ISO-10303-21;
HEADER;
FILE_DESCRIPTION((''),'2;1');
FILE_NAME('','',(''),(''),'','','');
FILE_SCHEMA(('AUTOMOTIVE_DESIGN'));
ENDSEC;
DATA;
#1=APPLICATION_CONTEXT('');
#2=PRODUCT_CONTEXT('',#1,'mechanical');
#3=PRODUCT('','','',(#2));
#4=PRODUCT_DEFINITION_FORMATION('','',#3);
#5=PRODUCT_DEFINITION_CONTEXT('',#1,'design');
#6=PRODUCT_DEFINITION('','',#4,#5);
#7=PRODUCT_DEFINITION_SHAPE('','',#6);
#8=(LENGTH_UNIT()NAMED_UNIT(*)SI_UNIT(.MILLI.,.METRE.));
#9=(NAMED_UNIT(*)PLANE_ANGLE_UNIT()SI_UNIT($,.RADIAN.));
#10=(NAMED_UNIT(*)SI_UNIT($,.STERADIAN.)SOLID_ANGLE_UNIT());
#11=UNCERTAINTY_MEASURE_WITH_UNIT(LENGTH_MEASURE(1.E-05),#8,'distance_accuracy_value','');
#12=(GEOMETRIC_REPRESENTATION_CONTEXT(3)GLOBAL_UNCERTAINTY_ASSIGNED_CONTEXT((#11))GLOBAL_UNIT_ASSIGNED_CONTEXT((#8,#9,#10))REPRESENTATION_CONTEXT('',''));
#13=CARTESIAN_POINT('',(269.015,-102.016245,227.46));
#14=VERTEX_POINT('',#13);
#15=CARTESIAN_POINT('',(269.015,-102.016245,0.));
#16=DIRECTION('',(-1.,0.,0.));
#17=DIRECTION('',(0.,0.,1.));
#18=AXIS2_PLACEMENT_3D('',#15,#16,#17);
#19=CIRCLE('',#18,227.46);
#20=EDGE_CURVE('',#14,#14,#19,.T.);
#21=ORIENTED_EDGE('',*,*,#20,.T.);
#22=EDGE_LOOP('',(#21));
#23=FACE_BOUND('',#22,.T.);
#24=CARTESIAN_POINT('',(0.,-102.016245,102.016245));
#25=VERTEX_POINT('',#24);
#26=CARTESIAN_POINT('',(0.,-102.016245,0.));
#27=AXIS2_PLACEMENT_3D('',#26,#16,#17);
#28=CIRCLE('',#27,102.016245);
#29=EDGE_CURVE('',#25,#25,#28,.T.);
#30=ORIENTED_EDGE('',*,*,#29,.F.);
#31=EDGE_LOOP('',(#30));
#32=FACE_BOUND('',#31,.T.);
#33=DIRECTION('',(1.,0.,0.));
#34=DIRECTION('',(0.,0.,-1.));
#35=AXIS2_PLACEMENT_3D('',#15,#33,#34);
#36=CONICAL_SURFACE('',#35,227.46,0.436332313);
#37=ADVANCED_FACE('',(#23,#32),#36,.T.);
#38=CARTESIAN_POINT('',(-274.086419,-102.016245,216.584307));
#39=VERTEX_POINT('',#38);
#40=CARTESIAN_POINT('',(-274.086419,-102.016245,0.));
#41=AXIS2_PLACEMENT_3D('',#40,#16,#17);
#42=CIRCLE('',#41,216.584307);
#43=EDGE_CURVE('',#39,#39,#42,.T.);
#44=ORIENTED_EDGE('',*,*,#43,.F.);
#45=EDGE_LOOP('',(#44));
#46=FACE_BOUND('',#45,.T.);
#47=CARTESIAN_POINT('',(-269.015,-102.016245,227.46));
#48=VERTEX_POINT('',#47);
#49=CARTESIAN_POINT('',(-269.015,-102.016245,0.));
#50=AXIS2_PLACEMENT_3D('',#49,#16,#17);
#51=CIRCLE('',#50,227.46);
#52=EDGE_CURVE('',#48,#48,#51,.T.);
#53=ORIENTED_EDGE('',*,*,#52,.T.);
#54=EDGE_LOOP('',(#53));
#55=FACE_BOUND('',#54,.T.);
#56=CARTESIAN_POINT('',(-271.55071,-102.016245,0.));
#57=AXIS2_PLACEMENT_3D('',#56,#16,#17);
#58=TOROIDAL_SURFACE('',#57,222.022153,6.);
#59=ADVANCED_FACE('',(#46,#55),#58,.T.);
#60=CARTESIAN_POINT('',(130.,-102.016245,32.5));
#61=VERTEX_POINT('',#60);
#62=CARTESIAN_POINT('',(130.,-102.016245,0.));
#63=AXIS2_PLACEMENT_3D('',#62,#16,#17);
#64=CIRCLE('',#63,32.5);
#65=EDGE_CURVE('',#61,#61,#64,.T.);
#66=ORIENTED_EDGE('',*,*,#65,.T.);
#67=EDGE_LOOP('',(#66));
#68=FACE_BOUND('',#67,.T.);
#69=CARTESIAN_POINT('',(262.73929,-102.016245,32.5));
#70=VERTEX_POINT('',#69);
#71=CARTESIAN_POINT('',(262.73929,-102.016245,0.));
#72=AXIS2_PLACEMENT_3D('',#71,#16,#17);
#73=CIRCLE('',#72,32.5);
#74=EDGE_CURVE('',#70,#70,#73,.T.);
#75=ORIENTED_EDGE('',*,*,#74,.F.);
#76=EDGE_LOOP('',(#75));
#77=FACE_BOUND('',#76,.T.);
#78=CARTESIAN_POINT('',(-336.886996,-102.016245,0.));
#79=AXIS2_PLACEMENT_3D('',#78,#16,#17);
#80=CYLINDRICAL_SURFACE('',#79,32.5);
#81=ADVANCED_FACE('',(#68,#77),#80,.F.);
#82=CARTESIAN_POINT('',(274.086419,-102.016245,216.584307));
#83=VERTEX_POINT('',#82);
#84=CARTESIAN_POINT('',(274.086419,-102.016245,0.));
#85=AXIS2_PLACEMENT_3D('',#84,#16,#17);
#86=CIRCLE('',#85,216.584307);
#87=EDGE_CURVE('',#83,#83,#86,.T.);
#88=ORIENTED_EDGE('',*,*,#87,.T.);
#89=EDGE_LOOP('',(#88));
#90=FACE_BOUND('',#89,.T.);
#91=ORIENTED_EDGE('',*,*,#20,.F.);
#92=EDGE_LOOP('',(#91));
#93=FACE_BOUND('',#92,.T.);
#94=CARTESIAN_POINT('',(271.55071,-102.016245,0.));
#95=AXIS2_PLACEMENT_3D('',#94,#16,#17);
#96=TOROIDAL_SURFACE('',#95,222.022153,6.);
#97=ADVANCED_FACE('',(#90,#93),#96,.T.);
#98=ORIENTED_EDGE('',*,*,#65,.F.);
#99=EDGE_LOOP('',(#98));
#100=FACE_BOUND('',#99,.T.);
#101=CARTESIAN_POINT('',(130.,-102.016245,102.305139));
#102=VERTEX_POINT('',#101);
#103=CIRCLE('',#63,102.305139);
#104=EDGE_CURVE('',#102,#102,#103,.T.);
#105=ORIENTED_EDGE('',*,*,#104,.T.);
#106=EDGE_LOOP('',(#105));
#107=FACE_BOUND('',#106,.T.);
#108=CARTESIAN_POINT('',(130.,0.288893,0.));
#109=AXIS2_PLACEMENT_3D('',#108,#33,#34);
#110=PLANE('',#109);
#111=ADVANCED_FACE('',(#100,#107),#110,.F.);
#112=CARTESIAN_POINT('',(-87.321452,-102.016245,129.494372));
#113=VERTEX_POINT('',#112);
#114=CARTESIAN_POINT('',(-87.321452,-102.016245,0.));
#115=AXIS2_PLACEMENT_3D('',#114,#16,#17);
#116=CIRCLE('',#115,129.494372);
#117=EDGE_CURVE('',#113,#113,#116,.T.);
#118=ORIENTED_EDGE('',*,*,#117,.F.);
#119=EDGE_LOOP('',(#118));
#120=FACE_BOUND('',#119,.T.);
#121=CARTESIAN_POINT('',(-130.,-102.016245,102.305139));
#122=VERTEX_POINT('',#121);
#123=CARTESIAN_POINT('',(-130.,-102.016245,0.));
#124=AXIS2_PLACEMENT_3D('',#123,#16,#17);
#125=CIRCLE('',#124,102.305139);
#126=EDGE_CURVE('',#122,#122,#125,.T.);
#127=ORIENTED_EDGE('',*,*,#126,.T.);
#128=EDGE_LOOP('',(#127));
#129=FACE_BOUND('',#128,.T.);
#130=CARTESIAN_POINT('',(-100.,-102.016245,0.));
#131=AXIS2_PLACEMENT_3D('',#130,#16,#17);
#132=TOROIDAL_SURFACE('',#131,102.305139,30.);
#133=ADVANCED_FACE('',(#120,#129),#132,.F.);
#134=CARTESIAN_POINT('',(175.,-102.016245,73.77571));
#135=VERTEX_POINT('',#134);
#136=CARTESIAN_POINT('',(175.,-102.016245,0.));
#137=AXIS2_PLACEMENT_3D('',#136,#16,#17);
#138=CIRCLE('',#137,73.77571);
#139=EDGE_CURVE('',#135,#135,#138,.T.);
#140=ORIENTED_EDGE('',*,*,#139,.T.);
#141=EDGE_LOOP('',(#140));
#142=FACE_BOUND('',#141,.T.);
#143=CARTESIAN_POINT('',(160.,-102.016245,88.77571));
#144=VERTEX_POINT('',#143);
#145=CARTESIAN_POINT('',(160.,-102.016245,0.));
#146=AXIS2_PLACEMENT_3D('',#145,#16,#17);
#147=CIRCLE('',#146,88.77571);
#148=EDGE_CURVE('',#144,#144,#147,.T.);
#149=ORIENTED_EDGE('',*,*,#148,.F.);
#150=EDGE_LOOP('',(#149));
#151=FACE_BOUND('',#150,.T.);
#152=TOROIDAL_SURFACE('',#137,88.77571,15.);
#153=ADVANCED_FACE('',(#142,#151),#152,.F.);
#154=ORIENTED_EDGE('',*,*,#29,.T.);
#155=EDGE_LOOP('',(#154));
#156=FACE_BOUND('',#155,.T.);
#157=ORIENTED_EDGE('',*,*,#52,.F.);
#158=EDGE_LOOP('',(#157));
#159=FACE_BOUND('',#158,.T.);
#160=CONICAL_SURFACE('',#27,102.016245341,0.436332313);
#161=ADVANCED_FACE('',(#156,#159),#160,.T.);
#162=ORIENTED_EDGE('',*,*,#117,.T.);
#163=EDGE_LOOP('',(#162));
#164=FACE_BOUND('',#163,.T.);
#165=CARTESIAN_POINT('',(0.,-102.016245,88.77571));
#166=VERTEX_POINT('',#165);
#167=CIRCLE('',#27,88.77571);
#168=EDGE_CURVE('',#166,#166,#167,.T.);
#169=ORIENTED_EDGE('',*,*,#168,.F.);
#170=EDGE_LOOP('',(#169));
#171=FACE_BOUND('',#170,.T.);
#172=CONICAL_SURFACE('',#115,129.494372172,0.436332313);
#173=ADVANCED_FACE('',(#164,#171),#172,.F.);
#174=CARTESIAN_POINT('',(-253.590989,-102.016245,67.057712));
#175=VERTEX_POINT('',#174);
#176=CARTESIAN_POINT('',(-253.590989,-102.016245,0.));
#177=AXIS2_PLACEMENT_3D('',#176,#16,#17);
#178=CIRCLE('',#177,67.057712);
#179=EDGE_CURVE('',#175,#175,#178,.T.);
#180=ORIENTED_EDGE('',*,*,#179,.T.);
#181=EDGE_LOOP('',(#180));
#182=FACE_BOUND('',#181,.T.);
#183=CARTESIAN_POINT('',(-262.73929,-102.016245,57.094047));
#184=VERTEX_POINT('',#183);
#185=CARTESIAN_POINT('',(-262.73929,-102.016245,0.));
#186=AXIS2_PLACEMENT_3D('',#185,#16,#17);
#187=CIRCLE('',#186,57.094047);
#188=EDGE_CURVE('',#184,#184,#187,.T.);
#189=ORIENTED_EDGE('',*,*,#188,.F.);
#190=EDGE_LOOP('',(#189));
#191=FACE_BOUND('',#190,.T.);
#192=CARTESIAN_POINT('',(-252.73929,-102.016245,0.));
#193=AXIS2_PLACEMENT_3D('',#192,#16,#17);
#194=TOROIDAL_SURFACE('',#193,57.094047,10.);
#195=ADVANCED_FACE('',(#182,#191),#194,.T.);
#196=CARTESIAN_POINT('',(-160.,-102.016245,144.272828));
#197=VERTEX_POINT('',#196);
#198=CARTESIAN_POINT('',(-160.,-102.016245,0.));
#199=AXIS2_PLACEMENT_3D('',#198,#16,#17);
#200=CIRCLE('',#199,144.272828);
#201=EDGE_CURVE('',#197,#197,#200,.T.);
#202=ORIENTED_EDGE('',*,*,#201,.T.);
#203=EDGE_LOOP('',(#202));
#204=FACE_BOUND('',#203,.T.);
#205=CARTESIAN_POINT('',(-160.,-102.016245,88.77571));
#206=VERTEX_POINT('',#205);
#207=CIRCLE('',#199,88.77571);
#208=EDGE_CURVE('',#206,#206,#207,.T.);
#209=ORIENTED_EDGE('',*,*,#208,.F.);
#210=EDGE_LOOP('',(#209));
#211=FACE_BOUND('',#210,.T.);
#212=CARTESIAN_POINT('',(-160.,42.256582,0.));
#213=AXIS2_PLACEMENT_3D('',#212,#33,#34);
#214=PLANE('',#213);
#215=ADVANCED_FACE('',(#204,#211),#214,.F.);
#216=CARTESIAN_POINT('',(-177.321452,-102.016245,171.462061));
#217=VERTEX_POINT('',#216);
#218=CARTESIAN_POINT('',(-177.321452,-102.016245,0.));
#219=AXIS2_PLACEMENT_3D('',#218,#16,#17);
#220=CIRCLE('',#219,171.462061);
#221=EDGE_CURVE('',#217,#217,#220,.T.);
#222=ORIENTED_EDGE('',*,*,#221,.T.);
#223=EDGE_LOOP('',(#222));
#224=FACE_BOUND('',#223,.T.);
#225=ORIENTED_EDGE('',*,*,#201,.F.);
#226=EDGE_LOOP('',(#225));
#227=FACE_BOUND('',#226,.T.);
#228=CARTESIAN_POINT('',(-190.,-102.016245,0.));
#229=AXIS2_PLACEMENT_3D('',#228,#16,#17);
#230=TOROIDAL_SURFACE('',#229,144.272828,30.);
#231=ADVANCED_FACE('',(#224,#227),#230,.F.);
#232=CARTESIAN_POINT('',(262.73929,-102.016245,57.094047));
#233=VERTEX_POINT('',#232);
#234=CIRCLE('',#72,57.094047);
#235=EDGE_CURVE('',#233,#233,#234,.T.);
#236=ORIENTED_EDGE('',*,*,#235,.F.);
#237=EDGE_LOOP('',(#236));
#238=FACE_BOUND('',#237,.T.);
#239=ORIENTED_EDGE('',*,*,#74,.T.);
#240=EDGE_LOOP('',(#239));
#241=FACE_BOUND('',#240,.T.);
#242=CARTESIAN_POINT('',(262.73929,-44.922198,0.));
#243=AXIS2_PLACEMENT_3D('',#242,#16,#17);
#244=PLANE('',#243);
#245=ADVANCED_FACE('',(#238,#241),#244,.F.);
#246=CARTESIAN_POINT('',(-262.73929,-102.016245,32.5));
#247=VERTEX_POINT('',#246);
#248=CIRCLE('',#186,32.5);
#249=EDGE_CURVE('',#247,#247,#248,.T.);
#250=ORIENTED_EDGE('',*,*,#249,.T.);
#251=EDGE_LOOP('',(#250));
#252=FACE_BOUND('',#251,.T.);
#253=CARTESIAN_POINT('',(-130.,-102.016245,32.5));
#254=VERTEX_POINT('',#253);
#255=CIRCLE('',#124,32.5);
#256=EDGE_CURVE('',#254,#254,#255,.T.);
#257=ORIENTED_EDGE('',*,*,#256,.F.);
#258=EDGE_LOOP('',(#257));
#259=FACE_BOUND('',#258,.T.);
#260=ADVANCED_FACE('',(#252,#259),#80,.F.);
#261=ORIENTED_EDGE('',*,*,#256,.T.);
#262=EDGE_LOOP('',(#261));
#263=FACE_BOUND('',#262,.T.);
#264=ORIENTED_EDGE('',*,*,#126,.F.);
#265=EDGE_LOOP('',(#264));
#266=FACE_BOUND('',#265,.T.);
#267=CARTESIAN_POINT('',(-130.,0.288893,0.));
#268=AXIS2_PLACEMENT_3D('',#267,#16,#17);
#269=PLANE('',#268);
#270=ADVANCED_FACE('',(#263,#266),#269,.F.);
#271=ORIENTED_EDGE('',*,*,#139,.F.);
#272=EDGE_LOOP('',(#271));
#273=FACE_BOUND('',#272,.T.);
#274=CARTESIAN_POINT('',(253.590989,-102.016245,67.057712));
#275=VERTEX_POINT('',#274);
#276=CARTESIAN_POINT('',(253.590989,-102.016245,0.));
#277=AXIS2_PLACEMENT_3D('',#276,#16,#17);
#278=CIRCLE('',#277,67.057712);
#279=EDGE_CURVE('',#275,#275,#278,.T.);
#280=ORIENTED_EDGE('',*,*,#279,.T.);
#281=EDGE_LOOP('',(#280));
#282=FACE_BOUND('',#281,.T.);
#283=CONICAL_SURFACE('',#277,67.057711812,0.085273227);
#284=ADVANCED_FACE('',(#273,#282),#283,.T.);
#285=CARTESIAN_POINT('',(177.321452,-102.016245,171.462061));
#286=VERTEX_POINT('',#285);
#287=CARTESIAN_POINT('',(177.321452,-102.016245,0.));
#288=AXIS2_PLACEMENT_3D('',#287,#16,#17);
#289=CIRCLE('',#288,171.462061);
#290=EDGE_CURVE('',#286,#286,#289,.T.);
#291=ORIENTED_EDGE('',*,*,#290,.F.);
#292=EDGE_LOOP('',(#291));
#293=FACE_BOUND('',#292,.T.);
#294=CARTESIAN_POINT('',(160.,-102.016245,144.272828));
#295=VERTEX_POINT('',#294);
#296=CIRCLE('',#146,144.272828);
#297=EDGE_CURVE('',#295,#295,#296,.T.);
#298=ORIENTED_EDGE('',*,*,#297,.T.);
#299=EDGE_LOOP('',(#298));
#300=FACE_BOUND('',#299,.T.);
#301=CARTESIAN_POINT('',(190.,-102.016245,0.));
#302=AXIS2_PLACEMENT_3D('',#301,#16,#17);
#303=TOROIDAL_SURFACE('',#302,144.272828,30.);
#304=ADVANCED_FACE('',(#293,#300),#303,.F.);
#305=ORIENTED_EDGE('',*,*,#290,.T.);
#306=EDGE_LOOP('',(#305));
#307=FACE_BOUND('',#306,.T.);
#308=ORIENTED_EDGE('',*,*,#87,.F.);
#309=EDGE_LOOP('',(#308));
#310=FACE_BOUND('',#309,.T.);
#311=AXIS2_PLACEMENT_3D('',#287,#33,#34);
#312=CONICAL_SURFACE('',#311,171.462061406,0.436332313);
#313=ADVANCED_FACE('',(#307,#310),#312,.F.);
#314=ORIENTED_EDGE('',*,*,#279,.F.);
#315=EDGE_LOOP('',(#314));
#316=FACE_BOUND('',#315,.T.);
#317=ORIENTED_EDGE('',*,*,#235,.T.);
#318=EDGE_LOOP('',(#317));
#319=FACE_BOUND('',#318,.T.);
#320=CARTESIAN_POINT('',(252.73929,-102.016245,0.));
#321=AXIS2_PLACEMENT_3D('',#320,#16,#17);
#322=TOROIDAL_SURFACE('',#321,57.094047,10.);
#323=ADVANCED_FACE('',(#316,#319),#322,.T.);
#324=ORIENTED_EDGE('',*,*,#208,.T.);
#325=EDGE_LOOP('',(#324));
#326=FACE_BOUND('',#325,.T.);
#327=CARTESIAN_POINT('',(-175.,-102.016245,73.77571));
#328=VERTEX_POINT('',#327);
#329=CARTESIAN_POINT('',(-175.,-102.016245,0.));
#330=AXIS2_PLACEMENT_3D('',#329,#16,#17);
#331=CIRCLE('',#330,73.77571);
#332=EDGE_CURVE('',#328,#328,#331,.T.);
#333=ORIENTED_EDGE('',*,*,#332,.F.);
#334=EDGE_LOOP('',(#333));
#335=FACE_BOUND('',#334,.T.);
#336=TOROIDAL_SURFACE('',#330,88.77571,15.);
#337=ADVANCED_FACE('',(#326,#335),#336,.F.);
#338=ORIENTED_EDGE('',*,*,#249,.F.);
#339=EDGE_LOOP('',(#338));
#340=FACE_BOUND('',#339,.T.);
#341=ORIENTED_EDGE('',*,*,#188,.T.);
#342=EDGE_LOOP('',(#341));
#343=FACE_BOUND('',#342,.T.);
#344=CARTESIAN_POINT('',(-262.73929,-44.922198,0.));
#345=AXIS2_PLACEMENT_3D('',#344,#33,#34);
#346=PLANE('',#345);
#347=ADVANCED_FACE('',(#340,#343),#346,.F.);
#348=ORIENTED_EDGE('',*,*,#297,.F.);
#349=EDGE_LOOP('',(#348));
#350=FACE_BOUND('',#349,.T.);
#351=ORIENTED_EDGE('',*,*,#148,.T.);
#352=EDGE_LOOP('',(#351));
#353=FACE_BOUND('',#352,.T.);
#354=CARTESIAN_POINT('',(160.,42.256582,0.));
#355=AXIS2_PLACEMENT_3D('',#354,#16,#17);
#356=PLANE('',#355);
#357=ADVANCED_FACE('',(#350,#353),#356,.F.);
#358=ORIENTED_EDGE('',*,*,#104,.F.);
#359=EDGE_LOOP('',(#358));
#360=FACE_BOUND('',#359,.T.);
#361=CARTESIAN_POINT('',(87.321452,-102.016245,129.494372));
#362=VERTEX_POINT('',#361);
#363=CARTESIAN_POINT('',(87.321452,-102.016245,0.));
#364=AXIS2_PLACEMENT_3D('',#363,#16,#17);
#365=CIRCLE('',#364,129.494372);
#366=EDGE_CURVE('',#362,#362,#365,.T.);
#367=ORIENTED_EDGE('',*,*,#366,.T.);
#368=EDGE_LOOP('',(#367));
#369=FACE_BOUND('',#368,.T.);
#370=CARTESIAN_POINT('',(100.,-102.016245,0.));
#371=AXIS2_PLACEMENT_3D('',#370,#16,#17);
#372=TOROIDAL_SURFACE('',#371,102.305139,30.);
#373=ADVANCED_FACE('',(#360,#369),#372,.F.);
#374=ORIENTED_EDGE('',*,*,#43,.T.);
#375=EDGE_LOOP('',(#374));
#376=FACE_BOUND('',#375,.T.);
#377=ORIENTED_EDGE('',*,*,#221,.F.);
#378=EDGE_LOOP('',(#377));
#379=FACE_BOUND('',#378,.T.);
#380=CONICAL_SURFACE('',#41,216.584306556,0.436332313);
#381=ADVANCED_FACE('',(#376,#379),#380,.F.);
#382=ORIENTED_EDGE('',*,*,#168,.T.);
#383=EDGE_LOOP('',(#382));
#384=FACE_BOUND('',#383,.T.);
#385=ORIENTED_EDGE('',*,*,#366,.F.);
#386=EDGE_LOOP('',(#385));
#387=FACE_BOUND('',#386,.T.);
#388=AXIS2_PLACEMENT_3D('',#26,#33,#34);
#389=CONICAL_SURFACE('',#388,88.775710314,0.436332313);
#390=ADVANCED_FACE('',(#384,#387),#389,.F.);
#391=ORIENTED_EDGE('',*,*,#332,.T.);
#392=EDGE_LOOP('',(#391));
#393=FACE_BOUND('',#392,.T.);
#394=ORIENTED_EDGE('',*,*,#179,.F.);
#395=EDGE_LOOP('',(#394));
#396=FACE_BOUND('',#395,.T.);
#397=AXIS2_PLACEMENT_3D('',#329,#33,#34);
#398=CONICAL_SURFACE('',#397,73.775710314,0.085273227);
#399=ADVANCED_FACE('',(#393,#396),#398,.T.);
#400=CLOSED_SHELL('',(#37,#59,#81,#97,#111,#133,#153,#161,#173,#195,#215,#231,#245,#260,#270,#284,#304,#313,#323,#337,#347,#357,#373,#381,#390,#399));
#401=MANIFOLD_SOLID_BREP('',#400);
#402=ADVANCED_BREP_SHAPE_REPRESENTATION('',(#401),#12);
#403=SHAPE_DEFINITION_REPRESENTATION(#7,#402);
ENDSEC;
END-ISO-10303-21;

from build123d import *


with BuildPart() as part:
    # Sketch1 → Revolve1 (revolve)
    with BuildSketch(Plane.XY, mode=Mode.PRIVATE) as revolve1_sk:
        with BuildLine():
            Line((0, 0), (269.015, 125.443754659))
            ThreePointArc((269.015, 125.443754659), (276.988556293, 122.541617507), (274.086419141, 114.568061214))
            Line((274.086419141, 114.568061214), (177.321452148, 69.445816064))
            ThreePointArc((177.321452148, 69.445816064), (164.698256626, 58.375570703), (160, 42.256582453))
            Line((160, 42.256582453), (160, -13.240535028))
            ThreePointArc((160, -13.240535028), (164.393398282, -23.847136745), (175, -28.240535028))
            Line((175, -28.240535028), (253.590988889, -34.958533529))
            ThreePointArc((253.590988889, -34.958533529), (260.105326342, -38.158951382), (262.739289686, -44.922197939))
            Line((262.739289686, -44.922197939), (262.739289686, -69.516245341))
            Line((262.739289686, -69.516245341), (130, -69.516245341))
            Line((130, -69.516245341), (130, 0.288893219))
            ThreePointArc((130, 0.288893219), (116.11898825, 25.590636593), (87.321452148, 27.47812683))
            Line((87.321452148, 27.47812683), (0, -13.240535028))
            Line((0, -13.240535028), (-87.321452148, 27.47812683))
            ThreePointArc((-87.321452148, 27.47812683), (-116.11898825, 25.590636593), (-130, 0.288893219))
            Line((-130, 0.288893219), (-130, -69.516245341))
            Line((-130, -69.516245341), (-262.739289686, -69.516245341))
            Line((-262.739289686, -69.516245341), (-262.739289686, -44.922197939))
            ThreePointArc((-262.739289686, -44.922197939), (-260.105326342, -38.158951382), (-253.590988889, -34.958533529))
            Line((-253.590988889, -34.958533529), (-175, -28.240535028))
            ThreePointArc((-175, -28.240535028), (-164.393398282, -23.847136745), (-160, -13.240535028))
            Line((-160, -13.240535028), (-160, 42.256582453))
            ThreePointArc((-160, 42.256582453), (-164.698256626, 58.375570703), (-177.321452148, 69.445816064))
            Line((-177.321452148, 69.445816064), (-274.086419141, 114.568061214))
            ThreePointArc((-274.086419141, 114.568061214), (-276.988556293, 122.541617507), (-269.015, 125.443754659))
            Line((-269.015, 125.443754659), (0, 0))
        make_face()
    revolve(revolve1_sk.sketch.rotate(Axis((-336.886996408, -102.016245341, 0), (1, 0, 0)), 90), axis=Axis((-336.886996408, -102.016245341, 0), (1, 0, 0)))


solid = part.part
